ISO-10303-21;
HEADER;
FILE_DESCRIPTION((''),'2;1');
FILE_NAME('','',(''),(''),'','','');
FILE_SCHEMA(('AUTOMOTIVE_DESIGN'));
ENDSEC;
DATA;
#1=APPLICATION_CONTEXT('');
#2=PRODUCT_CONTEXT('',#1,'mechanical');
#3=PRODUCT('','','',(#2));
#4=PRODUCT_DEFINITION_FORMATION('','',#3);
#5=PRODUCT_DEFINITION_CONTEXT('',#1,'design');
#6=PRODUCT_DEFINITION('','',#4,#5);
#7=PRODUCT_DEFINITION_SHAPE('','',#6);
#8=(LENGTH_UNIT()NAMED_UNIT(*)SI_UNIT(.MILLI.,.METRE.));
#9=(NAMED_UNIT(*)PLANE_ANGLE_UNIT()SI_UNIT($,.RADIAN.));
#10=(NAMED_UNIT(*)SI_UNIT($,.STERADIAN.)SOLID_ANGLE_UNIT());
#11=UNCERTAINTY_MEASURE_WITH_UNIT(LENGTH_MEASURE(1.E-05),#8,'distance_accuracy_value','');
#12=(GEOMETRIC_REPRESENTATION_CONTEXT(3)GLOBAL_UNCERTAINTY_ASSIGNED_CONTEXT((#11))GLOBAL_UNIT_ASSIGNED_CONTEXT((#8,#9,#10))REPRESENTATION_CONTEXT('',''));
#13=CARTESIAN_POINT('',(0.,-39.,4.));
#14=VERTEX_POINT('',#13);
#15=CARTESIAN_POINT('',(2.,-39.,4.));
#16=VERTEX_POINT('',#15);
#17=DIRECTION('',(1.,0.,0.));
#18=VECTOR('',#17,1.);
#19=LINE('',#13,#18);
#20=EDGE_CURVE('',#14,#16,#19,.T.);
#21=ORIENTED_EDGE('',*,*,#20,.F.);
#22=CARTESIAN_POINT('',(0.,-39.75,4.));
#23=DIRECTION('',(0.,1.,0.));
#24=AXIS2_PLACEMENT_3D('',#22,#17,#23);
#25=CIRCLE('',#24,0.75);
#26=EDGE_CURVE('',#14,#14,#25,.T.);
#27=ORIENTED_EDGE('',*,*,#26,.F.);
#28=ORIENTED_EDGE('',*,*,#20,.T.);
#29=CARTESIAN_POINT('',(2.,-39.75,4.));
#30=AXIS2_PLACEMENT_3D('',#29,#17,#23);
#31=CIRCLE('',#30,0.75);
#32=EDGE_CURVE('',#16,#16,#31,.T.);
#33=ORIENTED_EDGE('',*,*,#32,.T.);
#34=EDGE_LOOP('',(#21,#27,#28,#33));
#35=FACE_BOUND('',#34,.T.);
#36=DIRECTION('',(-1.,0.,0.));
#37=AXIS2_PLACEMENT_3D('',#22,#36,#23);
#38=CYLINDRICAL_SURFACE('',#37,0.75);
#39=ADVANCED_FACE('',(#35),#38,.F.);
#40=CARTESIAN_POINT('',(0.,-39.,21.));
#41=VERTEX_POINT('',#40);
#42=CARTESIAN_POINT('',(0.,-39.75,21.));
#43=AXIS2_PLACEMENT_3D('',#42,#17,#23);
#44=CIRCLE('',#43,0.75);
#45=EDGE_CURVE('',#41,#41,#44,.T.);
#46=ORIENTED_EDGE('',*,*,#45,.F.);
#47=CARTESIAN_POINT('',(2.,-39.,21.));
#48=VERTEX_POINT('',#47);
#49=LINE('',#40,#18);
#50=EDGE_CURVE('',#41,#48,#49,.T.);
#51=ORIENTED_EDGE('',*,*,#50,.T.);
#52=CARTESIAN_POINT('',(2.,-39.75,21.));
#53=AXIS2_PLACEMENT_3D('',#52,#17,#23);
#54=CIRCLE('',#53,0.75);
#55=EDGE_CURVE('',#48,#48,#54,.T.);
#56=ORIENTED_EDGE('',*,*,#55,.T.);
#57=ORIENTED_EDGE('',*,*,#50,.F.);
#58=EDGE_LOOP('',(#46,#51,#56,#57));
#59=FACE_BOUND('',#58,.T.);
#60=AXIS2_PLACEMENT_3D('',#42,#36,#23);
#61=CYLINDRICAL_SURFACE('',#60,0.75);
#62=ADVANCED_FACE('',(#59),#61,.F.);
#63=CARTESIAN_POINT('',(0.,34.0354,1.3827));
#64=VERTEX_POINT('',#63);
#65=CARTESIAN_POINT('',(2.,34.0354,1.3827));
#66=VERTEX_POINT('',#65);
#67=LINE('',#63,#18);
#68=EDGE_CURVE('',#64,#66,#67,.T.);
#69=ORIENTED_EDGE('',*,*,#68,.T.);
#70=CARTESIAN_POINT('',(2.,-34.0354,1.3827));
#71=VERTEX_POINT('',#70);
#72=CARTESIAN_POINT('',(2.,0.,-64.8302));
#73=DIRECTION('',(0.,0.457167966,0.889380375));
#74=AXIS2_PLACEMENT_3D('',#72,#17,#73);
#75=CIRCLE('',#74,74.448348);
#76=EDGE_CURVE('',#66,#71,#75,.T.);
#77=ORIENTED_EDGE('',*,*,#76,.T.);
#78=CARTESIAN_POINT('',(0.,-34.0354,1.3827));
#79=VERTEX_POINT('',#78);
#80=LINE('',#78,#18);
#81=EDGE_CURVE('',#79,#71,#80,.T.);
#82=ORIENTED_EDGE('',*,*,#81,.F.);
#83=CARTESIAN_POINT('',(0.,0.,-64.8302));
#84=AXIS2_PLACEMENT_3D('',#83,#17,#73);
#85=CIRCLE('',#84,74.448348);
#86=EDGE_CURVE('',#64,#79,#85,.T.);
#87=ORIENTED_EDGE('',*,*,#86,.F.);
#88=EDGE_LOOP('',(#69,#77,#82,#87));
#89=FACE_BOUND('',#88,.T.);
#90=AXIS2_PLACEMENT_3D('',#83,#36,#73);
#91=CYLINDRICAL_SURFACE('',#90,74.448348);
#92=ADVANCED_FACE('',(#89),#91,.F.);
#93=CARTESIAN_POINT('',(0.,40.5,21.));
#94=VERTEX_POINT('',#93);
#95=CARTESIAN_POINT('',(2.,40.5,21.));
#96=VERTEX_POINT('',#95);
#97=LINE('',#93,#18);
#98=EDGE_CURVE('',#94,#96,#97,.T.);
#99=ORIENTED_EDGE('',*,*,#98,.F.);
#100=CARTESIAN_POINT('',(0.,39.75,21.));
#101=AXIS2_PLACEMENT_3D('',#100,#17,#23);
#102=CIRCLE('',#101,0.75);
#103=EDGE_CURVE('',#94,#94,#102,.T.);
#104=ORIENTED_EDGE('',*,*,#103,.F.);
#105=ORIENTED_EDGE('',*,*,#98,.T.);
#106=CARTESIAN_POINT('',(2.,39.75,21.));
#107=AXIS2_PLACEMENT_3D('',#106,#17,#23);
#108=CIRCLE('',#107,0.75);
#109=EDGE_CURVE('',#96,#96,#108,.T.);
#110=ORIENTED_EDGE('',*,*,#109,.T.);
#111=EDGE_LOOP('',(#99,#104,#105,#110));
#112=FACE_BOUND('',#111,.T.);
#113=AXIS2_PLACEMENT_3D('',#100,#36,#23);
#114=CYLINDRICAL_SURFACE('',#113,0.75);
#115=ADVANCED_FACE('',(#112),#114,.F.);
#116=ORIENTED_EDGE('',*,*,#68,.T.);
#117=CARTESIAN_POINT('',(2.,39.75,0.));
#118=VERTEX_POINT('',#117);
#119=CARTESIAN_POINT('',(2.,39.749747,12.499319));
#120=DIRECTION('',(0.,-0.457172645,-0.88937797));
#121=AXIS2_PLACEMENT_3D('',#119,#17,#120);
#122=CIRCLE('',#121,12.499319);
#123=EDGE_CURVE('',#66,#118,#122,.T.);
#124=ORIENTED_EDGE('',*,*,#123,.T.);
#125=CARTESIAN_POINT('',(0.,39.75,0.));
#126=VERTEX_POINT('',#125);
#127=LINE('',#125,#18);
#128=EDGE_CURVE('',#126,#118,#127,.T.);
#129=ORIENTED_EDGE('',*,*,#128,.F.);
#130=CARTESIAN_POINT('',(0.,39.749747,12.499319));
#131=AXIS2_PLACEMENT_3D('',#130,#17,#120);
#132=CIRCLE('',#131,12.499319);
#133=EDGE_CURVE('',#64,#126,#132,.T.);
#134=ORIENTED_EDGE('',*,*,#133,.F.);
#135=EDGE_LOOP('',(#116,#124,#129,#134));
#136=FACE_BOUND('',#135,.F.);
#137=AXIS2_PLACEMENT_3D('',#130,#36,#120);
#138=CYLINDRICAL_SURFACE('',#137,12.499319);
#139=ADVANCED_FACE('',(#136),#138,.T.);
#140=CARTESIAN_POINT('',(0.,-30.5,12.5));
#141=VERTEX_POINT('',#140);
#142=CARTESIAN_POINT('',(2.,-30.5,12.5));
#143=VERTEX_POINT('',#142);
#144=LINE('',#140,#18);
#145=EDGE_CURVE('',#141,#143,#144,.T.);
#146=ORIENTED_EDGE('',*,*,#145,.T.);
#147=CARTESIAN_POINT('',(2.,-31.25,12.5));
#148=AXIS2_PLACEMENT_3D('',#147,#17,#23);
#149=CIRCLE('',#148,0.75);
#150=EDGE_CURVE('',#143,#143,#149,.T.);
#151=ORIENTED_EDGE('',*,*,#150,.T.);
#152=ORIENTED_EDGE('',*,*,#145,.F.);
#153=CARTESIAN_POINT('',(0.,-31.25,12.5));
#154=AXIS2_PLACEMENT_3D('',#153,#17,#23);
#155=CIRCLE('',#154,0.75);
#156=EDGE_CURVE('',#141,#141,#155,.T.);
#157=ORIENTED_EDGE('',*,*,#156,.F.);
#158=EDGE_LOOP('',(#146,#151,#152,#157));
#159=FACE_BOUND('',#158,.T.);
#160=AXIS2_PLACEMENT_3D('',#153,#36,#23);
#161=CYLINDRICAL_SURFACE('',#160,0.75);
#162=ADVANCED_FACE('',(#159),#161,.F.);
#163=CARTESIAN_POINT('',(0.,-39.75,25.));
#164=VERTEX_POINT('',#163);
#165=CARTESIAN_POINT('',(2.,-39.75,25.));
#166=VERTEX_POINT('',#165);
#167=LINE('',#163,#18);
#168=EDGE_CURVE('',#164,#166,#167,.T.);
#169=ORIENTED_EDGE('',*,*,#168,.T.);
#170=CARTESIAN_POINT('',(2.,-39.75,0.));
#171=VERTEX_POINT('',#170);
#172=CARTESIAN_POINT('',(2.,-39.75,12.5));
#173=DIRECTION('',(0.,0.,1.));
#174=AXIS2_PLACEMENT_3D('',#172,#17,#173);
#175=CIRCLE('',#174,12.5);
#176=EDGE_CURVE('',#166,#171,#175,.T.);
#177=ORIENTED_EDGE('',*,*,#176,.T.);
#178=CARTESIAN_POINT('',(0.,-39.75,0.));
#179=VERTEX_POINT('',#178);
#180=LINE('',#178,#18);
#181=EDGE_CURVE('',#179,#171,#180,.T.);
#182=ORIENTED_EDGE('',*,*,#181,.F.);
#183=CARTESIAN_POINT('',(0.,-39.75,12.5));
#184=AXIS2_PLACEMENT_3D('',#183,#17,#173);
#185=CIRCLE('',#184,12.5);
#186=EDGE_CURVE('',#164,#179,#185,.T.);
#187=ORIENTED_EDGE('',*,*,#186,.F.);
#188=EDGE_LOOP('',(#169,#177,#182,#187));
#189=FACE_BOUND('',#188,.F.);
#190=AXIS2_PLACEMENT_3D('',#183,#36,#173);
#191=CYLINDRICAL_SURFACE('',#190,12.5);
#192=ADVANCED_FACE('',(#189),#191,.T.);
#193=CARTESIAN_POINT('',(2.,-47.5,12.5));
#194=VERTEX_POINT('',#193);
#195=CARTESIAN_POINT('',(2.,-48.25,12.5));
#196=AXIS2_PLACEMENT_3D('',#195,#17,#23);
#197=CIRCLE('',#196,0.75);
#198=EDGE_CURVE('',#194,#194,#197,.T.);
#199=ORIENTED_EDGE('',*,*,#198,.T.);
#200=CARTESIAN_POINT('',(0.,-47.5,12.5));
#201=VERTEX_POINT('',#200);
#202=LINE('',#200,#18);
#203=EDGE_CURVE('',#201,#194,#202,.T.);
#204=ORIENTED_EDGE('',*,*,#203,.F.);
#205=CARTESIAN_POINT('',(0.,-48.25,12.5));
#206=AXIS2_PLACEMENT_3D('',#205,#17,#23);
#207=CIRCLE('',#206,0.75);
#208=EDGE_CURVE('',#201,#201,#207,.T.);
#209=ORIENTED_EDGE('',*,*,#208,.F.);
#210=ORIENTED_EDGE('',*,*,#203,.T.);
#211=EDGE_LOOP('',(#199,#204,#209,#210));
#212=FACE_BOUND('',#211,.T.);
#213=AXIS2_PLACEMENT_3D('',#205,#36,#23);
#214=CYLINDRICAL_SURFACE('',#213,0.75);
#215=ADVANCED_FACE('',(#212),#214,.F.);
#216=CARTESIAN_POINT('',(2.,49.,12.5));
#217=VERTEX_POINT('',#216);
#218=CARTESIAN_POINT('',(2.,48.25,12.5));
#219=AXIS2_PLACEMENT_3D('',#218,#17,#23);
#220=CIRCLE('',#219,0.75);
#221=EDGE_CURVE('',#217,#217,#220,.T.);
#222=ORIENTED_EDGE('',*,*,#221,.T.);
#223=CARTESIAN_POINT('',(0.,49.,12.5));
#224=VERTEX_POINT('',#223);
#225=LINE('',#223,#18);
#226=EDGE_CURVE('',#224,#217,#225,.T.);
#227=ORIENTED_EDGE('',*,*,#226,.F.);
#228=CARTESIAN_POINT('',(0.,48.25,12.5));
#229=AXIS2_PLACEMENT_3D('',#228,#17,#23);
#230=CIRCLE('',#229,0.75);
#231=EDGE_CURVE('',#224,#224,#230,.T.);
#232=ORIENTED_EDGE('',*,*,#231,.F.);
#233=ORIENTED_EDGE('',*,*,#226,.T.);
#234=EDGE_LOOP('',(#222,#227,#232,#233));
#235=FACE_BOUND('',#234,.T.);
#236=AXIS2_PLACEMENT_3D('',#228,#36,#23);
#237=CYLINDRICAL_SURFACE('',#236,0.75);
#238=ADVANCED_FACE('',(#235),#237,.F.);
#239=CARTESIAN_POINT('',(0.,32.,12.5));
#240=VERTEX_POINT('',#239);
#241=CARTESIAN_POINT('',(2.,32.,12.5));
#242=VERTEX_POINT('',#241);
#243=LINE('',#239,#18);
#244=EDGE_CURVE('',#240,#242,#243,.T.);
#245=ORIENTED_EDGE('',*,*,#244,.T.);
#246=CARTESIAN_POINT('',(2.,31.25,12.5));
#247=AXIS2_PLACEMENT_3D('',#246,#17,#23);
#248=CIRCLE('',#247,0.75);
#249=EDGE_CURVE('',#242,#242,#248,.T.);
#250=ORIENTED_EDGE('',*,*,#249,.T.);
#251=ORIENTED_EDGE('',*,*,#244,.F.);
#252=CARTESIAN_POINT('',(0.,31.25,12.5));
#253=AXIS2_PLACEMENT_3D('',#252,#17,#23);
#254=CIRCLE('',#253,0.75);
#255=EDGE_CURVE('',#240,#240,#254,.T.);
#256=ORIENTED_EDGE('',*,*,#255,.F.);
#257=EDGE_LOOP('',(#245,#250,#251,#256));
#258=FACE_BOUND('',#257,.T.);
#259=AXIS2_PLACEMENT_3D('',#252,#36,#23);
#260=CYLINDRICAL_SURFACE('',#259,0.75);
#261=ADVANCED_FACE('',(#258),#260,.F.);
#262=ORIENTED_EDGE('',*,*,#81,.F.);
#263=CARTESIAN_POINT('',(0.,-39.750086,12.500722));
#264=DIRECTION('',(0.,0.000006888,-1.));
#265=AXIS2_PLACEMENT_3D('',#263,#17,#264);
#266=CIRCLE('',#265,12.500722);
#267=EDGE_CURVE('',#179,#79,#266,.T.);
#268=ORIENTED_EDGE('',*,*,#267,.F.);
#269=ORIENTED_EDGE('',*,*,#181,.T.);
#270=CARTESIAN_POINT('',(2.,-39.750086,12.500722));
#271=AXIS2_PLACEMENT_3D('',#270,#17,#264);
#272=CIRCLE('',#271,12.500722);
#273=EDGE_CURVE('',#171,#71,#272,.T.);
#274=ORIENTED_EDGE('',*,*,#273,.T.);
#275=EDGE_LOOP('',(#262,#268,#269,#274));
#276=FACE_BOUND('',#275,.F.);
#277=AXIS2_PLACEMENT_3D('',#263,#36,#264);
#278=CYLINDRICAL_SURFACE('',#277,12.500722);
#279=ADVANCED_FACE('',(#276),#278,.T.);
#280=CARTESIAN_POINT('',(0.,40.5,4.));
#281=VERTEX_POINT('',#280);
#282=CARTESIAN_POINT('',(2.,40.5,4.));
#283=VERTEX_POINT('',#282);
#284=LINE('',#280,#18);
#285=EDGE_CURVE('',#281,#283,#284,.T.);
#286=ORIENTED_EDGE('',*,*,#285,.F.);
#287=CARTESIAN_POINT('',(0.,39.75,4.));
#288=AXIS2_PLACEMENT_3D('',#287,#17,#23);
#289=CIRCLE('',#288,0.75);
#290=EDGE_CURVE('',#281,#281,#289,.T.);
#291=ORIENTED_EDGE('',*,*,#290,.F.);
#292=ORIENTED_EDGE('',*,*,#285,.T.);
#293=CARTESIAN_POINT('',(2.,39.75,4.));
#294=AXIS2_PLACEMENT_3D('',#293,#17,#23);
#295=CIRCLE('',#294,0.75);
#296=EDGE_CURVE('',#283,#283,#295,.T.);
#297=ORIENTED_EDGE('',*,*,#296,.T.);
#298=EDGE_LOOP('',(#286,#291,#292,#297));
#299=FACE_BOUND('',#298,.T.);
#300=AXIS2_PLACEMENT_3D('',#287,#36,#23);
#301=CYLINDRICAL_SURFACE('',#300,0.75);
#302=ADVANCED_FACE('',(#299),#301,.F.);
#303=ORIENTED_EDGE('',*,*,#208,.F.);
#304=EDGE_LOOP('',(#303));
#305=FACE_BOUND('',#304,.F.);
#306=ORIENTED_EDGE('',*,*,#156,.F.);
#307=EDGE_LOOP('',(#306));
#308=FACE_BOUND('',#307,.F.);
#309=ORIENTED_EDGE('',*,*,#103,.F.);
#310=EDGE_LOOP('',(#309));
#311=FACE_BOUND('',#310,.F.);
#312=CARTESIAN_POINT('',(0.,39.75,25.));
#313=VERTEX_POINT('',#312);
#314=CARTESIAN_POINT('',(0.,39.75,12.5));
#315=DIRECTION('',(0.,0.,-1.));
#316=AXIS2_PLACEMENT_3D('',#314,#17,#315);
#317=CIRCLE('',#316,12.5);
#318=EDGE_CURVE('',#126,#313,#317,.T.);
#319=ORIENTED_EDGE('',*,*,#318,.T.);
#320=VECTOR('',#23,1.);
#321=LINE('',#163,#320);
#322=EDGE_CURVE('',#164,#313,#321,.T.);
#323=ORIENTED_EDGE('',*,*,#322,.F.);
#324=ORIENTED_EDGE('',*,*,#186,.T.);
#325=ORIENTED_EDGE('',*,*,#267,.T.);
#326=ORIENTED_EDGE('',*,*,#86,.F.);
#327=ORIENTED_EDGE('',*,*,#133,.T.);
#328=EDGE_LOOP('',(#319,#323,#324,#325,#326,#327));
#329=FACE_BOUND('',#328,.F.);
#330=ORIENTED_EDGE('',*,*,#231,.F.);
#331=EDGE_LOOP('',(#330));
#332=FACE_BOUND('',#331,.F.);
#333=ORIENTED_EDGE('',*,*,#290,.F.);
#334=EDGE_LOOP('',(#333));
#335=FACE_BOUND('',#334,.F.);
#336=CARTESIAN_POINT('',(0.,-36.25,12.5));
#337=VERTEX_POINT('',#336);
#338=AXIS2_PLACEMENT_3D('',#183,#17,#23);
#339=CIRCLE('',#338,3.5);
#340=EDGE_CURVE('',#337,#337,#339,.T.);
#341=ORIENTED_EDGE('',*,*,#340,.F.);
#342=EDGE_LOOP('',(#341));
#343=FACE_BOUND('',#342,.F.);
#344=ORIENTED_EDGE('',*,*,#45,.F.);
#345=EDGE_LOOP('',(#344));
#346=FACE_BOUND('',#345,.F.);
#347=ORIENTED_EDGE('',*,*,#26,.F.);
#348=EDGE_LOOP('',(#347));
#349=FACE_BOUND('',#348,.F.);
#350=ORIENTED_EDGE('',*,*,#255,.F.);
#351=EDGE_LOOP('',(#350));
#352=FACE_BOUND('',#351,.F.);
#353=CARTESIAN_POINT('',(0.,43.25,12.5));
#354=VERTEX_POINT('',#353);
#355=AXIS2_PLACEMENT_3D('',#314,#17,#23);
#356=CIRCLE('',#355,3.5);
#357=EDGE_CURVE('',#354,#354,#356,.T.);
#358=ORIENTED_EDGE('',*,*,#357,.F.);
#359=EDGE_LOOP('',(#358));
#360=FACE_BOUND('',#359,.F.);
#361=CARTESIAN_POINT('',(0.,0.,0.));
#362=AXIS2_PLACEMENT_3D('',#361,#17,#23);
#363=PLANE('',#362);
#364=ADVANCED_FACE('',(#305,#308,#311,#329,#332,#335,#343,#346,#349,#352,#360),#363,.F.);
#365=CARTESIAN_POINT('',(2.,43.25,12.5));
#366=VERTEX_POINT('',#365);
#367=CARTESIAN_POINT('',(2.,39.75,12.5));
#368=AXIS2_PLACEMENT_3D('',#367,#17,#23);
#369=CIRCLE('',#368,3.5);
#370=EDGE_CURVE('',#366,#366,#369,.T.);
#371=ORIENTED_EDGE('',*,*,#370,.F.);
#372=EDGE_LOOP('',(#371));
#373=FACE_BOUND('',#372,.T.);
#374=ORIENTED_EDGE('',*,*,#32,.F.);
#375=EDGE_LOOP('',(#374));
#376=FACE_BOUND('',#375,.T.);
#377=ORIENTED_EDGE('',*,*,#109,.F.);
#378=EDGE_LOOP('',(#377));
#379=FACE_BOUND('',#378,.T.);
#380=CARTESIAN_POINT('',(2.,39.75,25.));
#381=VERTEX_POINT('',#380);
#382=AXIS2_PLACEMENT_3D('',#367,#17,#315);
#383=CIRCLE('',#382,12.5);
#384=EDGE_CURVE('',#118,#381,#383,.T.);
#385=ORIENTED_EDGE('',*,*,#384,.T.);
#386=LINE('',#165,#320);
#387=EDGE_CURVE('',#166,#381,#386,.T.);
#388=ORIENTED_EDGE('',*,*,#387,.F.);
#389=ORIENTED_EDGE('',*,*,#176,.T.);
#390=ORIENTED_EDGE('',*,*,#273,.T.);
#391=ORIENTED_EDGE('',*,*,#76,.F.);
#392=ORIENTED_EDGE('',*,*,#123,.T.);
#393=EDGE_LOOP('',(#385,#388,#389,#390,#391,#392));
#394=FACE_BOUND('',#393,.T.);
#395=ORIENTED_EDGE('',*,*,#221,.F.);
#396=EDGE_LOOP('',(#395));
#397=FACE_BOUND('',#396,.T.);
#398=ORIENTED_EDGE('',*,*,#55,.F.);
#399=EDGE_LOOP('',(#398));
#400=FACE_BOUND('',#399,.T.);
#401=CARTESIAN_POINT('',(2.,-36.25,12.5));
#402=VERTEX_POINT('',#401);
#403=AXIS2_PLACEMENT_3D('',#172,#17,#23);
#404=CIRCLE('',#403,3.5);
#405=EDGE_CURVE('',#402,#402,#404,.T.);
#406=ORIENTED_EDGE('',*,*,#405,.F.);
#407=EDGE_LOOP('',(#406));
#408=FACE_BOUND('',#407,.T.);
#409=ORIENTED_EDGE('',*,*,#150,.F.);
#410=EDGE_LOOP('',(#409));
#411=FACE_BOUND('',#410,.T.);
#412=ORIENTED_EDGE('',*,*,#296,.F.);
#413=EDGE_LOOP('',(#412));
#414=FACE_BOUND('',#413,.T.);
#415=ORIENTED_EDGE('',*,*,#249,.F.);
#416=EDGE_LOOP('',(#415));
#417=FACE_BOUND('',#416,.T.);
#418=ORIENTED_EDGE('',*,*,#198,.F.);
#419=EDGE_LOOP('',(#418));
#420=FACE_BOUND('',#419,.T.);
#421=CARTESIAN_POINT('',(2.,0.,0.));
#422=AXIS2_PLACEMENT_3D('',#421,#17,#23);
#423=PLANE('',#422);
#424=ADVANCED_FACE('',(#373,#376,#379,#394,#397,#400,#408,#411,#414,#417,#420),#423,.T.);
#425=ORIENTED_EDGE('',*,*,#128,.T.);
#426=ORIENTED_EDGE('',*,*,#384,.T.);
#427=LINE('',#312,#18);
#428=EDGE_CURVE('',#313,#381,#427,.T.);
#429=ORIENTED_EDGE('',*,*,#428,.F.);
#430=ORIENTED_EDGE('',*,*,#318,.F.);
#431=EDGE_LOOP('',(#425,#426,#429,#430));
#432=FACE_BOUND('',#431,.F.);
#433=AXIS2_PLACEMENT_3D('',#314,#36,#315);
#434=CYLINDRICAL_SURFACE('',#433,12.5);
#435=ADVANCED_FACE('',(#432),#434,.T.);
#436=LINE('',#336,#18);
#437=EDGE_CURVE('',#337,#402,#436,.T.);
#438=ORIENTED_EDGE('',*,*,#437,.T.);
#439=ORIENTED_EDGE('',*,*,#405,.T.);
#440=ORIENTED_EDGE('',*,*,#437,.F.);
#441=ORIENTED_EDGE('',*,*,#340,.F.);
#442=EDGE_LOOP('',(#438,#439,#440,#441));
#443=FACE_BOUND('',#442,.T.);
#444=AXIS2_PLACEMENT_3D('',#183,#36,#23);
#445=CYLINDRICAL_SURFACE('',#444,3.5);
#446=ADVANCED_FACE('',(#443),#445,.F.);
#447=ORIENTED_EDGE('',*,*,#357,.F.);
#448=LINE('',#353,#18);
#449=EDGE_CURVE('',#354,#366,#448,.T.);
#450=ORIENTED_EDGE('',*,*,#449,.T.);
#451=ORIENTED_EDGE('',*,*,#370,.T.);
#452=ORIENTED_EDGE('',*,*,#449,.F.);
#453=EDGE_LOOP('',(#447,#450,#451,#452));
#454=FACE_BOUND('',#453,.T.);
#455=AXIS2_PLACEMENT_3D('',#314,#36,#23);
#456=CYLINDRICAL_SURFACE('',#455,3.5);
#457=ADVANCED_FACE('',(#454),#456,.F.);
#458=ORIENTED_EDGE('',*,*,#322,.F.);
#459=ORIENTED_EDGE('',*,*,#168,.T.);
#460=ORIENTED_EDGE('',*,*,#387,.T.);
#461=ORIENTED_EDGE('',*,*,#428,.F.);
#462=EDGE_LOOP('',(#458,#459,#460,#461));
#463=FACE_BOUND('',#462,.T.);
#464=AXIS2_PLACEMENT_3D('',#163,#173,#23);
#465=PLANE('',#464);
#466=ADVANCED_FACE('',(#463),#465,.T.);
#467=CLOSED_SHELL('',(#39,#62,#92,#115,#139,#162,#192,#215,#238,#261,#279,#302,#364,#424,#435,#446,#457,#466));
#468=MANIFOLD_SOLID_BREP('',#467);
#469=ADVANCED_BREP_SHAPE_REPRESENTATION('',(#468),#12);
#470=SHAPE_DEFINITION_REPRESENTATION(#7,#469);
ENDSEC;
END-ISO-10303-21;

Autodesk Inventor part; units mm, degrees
ref_plane "YZ Plane" through (0, 0, 0) normal (1, 0, 0) x (0, 1, 0)
ref_plane "XZ Plane" through (0, 0, 0) normal (0, 1, 0) x (-1, 0, 0)
ref_plane "XY Plane" through (0, 0, 0) normal (0, 0, 1) x (1, 0, 0)
sketch "Sketch1" plane through (0, 0, 0) normal (1, 0, 0) x (0, 1, 0)
  line L0 (-39.75, 25) -> (39.75, 25)
  arc A0 (-39.75, 25) -> (-39.75, 0) centre (-39.75, 12.5) ccw
  arc A1 (39.75, 0) -> (39.75, 25) centre (39.75, 12.5) ccw
  circle A2 centre (39.75, 12.5) radius 3.5
  circle A3 centre (39.75, 21) radius 0.75
  circle A4 centre (48.25, 12.5) radius 0.75
  circle A5 centre (39.75, 4) radius 0.75
  circle A6 centre (31.25, 12.5) radius 0.75
  circle A7 centre (-39.75, 12.5) radius 3.5
  circle A8 centre (-48.25, 12.5) radius 0.75
  circle A9 centre (-39.75, 21) radius 0.75
  circle A10 centre (-31.25, 12.5) radius 0.75
  circle A11 centre (-39.75, 4) radius 0.75
  arc A12 (34.0354, 1.3827) -> (-34.0354, 1.3827) centre (0, -64.8302) ccw
  arc A13 (-39.75, 0) -> (-34.0354, 1.3827) centre (-39.75, 12.5) ccw
  arc A14 (34.0354, 1.3827) -> (39.75, 0) centre (39.75, 12.5) ccw
  point P0 (0, 0)
  point P1 (0, 0)
  dimension "d0" = 79.5
  dimension "d1" = 25
  dimension "d2" = 25
  dimension "d3" = 7
  dimension "d4" = 1.5
  dimension "d5" = 1.5
  dimension "d6" = 1.5
  dimension "d7" = 8.5
  dimension "d8" = 8.5
  dimension "d9" = 8.5
  dimension "d10" = 1.5
  dimension "d11" = 8.5
  dimension "d12" = 7
  dimension "d13" = 1.5
  dimension "d14" = 1.5
  dimension "d15" = 1.5
  dimension "d16" = 1.5
  dimension "d17" = 8.5
  dimension "d18" = 8.5
  dimension "d19" = 8.5
  dimension "d20" = 8.5
extrude "Extrusion1" add sketch "Sketch1" along normal blind 2
properties part number "tibia extrude"
